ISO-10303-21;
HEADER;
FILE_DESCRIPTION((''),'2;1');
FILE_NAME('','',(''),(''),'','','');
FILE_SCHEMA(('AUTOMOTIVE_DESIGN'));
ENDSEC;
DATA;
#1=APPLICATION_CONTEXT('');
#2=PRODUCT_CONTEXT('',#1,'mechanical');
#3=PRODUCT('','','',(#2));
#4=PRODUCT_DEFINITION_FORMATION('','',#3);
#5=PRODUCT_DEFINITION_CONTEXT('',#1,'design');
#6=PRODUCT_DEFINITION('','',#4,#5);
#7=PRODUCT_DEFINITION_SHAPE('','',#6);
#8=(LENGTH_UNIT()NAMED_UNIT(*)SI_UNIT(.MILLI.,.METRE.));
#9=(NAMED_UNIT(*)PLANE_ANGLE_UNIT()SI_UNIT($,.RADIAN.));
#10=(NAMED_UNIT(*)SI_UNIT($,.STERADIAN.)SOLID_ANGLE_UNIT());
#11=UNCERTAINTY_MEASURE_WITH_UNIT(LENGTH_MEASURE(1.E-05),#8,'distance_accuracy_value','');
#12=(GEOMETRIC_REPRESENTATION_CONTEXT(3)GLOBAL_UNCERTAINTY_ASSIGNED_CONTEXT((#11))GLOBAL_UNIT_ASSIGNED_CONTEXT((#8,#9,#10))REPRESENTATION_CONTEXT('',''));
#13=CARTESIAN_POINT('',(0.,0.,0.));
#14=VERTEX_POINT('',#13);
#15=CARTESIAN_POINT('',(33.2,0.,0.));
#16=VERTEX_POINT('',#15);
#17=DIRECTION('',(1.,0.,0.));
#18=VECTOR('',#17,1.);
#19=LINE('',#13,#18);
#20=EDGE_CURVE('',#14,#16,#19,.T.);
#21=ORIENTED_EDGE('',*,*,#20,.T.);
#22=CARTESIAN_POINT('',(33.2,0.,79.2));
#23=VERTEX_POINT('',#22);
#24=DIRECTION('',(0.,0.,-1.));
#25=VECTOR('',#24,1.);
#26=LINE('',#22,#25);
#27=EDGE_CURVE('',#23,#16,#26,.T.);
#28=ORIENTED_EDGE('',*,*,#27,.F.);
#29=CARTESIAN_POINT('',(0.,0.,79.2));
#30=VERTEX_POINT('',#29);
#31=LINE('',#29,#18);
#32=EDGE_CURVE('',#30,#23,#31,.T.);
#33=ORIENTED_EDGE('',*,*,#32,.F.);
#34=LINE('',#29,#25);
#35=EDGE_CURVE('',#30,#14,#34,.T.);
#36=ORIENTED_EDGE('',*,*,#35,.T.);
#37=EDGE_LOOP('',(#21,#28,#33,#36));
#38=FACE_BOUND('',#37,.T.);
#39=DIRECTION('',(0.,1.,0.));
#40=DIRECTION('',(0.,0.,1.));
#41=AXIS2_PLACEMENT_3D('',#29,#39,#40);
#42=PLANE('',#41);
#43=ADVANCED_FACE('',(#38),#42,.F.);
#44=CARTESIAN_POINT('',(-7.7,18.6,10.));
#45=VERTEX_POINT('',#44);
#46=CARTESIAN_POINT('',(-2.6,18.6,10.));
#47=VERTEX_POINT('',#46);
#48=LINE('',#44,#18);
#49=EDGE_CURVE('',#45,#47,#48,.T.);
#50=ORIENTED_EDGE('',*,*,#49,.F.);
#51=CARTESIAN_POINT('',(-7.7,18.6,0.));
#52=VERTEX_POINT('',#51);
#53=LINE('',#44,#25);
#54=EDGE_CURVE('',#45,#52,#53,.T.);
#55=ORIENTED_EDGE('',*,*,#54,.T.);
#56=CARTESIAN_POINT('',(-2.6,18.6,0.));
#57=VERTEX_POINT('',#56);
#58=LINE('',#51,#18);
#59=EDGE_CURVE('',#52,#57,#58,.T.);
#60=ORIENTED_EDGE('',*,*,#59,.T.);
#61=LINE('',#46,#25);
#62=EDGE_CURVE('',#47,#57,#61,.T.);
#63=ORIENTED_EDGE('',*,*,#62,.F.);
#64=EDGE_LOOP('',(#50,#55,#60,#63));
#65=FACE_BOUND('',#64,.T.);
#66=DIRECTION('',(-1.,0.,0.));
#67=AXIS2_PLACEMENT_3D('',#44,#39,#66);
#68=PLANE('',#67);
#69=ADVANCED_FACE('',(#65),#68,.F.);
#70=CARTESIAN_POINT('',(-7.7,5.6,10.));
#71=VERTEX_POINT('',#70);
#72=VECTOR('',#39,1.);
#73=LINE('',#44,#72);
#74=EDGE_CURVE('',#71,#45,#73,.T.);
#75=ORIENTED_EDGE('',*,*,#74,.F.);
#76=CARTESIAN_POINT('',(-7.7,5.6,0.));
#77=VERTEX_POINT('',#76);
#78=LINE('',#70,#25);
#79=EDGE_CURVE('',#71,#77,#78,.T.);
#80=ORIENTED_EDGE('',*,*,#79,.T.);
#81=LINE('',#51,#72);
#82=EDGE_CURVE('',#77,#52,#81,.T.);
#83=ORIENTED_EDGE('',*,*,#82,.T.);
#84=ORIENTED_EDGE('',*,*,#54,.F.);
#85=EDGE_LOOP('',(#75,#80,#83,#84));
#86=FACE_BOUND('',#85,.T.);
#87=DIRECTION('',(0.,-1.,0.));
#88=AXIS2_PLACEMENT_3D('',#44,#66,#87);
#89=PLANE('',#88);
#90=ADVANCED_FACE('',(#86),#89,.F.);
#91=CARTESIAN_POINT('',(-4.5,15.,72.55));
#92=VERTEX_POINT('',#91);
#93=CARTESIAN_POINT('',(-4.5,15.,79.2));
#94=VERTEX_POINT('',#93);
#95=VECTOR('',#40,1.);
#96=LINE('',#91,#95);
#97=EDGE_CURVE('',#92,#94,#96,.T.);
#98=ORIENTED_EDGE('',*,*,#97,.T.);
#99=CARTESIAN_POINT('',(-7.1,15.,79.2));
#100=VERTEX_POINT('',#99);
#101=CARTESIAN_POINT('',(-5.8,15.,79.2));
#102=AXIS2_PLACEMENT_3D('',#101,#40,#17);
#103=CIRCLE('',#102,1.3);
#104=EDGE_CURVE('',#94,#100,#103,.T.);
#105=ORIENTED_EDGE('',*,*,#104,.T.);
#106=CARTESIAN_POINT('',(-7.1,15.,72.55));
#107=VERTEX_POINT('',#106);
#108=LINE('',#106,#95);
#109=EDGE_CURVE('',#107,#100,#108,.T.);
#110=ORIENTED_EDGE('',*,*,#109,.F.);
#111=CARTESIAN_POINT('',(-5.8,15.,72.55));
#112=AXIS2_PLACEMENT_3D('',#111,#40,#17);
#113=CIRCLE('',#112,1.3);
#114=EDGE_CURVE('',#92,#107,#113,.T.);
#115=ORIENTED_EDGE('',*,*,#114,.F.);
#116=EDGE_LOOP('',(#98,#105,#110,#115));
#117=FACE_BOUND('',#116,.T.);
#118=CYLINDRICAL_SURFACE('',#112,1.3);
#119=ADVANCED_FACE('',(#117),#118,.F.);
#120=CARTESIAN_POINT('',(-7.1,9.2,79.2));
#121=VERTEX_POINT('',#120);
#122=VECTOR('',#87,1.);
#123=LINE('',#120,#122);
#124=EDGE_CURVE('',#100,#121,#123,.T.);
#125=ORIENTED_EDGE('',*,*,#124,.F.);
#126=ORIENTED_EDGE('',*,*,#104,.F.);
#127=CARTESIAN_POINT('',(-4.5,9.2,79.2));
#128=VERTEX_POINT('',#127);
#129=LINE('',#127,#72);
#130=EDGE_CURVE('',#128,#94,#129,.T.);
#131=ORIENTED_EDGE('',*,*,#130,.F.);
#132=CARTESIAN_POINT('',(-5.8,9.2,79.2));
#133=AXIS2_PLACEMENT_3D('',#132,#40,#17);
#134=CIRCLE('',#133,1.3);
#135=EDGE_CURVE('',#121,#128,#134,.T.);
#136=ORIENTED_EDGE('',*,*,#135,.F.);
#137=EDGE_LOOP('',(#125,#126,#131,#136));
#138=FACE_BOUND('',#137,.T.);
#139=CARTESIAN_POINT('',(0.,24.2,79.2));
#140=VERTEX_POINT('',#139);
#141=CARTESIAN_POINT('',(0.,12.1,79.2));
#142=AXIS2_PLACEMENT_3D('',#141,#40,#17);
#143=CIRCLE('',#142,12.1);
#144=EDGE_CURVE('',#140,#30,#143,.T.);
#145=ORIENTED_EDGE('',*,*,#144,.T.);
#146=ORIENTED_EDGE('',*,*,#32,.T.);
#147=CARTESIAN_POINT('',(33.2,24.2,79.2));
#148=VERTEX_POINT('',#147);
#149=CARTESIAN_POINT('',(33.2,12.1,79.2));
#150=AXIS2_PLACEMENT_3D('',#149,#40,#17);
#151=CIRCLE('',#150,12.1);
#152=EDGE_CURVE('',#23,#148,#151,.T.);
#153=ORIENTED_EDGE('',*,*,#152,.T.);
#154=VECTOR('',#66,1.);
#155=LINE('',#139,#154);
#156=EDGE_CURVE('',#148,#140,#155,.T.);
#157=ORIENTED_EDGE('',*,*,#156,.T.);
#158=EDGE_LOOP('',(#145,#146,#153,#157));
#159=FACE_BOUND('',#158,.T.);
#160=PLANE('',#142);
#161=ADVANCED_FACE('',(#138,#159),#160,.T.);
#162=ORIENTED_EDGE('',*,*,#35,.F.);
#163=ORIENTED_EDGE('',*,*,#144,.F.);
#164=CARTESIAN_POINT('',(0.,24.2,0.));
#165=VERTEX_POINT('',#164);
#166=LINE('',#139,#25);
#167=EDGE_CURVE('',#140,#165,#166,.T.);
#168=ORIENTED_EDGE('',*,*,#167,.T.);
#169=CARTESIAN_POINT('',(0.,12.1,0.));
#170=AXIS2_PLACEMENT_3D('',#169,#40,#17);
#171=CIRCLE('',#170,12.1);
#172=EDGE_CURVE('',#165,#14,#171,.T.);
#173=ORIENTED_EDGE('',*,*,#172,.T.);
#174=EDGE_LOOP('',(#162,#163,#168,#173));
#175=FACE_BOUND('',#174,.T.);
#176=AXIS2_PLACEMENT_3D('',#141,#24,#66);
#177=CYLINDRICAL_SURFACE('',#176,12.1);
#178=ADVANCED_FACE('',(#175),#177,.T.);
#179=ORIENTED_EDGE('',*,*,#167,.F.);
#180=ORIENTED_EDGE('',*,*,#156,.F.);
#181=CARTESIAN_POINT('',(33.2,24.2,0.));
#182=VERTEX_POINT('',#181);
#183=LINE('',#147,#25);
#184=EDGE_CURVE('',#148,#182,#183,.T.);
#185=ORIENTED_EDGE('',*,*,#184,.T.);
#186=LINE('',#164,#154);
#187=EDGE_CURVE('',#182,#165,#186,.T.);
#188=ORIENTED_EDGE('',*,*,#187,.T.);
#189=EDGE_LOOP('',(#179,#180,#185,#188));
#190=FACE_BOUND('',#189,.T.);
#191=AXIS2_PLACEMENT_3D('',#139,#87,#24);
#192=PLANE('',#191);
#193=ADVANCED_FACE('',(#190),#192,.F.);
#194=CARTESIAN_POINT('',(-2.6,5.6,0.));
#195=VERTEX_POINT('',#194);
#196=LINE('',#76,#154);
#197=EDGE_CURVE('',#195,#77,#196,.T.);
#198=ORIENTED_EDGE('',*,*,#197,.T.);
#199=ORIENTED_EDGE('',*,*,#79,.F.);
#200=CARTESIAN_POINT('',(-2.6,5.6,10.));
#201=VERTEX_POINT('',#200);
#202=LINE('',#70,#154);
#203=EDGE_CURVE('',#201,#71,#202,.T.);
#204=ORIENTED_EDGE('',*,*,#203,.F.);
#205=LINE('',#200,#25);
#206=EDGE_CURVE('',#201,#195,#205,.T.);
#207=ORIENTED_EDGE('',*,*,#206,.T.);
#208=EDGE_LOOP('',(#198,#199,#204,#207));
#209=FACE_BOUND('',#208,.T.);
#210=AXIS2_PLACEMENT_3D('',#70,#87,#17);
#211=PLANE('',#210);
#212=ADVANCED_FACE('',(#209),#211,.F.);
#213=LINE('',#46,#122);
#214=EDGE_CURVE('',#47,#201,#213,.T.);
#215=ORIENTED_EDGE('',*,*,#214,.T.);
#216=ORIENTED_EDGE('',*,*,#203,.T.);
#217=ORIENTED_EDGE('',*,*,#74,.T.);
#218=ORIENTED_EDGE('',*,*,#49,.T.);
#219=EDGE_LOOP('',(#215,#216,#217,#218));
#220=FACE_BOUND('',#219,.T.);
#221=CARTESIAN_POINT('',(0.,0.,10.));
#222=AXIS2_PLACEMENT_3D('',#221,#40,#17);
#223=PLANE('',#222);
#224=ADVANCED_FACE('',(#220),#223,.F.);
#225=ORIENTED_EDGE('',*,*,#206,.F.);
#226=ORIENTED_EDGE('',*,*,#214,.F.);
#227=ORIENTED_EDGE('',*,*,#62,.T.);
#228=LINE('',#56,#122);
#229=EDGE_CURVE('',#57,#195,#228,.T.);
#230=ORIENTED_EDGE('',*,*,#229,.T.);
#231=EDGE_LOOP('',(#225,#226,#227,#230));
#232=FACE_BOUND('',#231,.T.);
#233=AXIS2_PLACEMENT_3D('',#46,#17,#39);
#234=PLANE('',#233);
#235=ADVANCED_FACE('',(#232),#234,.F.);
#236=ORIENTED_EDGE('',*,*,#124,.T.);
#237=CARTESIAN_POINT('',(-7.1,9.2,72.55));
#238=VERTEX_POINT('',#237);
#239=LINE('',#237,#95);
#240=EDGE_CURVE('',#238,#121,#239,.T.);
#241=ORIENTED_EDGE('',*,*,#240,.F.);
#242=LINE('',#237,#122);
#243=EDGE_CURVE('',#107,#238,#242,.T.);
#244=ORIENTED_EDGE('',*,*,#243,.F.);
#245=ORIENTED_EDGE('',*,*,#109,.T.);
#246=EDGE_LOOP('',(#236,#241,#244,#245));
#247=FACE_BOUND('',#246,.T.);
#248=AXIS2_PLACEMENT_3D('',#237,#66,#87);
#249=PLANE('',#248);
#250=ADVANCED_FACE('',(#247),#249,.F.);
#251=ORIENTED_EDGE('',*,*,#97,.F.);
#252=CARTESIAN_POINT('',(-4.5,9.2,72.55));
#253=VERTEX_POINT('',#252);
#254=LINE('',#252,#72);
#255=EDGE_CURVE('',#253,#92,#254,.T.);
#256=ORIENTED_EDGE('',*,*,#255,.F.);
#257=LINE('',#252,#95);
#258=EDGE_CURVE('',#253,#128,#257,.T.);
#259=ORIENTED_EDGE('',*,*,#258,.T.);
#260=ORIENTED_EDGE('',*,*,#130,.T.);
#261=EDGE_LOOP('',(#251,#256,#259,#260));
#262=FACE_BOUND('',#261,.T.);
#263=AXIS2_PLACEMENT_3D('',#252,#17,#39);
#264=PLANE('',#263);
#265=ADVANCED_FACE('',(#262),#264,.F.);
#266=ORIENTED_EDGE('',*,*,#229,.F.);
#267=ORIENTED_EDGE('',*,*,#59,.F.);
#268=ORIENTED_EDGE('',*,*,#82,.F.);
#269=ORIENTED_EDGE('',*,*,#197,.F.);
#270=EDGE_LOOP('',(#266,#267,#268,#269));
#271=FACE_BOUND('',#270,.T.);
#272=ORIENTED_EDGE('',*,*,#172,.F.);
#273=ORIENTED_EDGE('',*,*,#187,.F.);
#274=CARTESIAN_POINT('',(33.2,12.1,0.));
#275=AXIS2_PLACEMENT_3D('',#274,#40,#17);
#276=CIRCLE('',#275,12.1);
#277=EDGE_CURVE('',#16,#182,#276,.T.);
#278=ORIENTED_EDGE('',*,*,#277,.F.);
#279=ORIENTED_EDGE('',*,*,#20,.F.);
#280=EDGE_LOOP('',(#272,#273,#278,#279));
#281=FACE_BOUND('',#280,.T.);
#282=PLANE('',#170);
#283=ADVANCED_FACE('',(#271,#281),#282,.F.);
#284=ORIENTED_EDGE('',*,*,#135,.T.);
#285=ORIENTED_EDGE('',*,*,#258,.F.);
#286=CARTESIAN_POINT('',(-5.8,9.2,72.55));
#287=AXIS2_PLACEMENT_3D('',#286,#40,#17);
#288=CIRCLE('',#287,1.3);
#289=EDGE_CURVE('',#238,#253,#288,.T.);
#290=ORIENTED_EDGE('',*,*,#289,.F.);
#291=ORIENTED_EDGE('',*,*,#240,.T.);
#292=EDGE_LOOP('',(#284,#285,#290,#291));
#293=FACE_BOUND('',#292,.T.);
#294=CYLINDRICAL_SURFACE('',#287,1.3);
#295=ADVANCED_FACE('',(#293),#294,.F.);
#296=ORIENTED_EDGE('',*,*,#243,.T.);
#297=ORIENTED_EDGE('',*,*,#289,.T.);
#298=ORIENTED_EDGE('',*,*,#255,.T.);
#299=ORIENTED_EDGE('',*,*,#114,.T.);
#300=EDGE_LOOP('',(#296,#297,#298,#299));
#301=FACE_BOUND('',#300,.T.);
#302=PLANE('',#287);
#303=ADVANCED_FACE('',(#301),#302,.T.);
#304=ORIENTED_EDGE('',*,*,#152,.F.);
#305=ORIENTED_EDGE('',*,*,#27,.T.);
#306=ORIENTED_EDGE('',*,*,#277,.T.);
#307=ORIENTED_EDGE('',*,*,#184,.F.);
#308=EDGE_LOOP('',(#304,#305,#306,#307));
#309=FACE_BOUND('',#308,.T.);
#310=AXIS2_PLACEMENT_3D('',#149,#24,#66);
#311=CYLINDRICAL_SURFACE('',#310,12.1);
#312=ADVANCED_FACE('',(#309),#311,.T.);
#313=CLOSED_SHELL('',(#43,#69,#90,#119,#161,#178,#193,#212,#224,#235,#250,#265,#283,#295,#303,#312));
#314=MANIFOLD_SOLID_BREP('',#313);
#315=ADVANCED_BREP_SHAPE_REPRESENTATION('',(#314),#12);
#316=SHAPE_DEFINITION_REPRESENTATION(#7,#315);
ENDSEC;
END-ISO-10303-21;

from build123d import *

# Parameters (mm, degrees)
P_IDAT_VYSUNUT_M1_DEPTH  = 79.2
SKICA2_W                 = 5.1
SKICA2_H                 = 13
ODEBRAT_VYSUNUT_M1_DEPTH = 10
ODEBRAT_VYSUNUT_M2_DEPTH = 6.65


with BuildPart() as part:
    # Skica1 → Přidat vysunutím1 (new body)
    with BuildSketch(Plane.XY):
        with BuildLine():
            Line((0, 24.2), (33.2, 24.2))
            ThreePointArc((33.2, 24.2), (45.3, 12.1), (33.2, 0))
            Line((33.2, 0), (0, 0))
            ThreePointArc((0, 0), (-12.1, 12.1), (0, 24.2))
        make_face()
    extrude(amount=P_IDAT_VYSUNUT_M1_DEPTH)

    # Skica2 → Odebrat vysunutím1 (cut)
    with BuildSketch(Plane(origin=(0, 0, 0), x_dir=(-1, 0, 0), z_dir=(0, 0, -1))):
        with Locations((5.15, 12.1)):
            Rectangle(SKICA2_W, SKICA2_H)
    extrude(amount=-ODEBRAT_VYSUNUT_M1_DEPTH, mode=Mode.SUBTRACT)

    # Skica3 → Odebrat vysunutím2 (cut)
    with BuildSketch(Plane.XY.offset(79.2)):
        with BuildLine():
            Line((-7.1, 9.2), (-7.1, 15))
            ThreePointArc((-7.1, 15), (-5.8, 16.3), (-4.5, 15))
            Line((-4.5, 15), (-4.5, 9.2))
            ThreePointArc((-4.5, 9.2), (-5.8, 7.9), (-7.1, 9.2))
        make_face()
    extrude(amount=-ODEBRAT_VYSUNUT_M2_DEPTH, mode=Mode.SUBTRACT)


solid = part.part
